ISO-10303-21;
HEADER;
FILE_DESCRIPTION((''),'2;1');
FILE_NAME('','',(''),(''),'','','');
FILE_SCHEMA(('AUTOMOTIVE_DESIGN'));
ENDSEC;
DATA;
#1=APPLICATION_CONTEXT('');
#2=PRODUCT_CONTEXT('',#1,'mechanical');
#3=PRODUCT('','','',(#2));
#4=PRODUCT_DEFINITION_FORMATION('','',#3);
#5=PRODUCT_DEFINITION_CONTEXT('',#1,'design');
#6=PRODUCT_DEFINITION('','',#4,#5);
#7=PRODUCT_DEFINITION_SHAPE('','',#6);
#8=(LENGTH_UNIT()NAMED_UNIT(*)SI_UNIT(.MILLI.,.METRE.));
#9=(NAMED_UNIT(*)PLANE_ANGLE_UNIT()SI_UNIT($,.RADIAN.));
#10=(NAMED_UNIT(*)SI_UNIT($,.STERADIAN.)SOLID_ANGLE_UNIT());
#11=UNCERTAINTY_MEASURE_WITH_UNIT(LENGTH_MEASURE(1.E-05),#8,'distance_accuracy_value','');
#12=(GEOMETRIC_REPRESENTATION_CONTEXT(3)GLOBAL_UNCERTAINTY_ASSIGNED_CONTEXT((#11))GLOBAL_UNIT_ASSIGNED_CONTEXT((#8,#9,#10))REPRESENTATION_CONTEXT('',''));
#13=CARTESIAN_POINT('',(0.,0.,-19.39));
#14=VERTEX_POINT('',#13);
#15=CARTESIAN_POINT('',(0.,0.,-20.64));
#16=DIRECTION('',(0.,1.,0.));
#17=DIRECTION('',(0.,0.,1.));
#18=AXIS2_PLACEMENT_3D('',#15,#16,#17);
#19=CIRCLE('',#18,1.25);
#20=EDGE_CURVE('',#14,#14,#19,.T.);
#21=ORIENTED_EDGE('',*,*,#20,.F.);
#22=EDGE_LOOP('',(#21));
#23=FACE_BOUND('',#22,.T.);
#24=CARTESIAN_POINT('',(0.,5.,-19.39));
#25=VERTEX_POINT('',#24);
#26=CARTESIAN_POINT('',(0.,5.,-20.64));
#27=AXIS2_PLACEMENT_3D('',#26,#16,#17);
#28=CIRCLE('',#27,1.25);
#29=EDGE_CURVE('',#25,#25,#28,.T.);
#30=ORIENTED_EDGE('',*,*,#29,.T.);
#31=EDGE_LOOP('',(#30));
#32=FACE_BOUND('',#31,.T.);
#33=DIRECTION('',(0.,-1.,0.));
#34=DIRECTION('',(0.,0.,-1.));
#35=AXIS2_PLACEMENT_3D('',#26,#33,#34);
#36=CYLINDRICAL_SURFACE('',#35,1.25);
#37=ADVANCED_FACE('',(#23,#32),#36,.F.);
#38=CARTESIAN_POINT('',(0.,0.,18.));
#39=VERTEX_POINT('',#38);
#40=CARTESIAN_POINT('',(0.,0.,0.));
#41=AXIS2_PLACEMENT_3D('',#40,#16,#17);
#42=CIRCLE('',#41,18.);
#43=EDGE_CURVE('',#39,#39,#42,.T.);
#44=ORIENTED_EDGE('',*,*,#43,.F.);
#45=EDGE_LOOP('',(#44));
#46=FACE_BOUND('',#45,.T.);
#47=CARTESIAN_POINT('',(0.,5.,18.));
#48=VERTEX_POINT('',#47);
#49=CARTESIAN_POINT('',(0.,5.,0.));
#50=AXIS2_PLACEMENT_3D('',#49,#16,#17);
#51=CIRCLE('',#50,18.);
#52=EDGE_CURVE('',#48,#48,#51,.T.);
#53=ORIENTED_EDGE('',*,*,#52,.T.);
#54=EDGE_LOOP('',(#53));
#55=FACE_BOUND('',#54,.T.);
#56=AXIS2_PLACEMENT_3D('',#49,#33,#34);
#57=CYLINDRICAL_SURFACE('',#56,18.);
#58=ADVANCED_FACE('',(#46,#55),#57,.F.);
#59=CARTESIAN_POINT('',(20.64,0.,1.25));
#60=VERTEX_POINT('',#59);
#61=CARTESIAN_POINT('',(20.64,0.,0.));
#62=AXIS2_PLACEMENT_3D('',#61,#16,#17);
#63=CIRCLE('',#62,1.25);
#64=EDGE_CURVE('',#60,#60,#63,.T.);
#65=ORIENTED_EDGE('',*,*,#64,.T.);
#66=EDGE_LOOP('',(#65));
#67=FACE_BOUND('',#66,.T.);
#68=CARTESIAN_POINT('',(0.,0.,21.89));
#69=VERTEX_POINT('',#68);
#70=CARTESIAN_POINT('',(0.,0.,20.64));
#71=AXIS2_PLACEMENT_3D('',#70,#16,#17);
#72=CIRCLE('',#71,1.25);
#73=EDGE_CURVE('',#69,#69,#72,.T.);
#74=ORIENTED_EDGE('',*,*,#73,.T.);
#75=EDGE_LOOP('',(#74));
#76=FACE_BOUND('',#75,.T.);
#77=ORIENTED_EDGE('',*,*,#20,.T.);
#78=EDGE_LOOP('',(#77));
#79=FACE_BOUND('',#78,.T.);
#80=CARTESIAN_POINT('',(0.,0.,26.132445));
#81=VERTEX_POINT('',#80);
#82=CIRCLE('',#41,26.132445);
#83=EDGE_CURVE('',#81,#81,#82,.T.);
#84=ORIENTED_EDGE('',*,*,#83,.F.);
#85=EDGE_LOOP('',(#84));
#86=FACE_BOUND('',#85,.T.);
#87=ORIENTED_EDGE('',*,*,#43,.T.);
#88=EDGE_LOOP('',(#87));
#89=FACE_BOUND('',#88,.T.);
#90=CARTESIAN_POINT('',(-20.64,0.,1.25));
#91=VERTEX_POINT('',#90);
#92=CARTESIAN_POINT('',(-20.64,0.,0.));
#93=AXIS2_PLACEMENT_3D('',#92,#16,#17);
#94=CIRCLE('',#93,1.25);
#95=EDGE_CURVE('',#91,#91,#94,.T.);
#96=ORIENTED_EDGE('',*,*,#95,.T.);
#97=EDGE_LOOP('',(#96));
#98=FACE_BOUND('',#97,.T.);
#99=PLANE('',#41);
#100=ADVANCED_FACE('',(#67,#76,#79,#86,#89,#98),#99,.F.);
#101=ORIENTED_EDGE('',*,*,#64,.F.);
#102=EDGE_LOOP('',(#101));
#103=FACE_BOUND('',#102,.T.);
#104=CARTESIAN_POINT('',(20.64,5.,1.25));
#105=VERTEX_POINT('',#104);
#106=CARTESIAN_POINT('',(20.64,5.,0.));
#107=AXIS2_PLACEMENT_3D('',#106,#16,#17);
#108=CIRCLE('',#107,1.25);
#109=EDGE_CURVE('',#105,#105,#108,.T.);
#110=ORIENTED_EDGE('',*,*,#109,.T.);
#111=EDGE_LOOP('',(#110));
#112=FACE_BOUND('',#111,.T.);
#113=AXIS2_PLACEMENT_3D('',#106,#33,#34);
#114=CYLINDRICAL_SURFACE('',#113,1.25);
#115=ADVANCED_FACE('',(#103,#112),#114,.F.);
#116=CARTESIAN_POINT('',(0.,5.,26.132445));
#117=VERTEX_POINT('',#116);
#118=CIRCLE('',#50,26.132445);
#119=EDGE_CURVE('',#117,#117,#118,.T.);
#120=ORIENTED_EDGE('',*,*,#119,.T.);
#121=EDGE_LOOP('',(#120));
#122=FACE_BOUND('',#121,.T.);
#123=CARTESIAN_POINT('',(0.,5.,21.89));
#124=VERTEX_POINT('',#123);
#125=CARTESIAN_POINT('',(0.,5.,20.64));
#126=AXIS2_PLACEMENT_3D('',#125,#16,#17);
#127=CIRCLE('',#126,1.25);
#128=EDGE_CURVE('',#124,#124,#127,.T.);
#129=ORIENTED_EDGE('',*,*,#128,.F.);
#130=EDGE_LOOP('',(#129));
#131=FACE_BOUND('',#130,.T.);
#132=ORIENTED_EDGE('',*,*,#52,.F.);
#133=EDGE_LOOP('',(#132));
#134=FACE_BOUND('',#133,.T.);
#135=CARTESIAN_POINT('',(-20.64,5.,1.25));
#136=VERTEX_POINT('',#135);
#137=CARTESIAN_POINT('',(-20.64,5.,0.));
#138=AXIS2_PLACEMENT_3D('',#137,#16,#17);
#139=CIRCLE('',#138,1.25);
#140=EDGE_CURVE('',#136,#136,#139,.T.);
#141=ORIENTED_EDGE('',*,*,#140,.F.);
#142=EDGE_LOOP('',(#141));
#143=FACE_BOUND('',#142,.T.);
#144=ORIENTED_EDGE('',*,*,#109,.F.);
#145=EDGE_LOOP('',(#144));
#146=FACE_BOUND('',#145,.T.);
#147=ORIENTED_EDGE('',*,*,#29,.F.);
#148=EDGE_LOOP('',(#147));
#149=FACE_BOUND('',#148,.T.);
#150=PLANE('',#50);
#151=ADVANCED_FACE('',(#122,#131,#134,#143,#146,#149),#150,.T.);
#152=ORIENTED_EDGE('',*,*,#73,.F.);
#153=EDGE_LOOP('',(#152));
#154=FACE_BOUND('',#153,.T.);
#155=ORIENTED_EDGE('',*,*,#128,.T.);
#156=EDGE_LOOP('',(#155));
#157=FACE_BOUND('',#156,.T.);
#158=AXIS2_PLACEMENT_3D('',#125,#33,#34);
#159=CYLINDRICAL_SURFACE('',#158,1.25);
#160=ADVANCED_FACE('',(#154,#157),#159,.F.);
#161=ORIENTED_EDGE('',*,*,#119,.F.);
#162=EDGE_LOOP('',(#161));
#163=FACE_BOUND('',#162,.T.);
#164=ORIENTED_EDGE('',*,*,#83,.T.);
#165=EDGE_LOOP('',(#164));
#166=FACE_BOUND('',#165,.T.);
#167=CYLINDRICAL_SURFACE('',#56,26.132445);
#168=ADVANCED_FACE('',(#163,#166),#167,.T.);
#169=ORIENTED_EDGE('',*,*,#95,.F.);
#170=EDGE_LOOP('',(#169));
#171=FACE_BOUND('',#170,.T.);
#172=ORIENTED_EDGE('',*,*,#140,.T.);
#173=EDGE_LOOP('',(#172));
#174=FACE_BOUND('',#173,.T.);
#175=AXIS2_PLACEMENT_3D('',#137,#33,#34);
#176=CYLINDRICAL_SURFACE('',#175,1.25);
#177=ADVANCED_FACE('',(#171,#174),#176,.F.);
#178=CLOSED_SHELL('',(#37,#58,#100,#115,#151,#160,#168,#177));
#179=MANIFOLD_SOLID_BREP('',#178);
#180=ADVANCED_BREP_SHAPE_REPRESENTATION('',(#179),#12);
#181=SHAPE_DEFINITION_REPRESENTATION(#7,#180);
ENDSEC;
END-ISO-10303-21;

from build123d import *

# Parameters (mm, degrees)
SKETCH1_R           = 26.132445267
SKETCH1_R_2         = 1.25
SKETCH1_R_3         = 18
BOSS_EXTRUDE1_DEPTH = 5


with BuildPart() as part:
    # Sketch1 → Boss-Extrude1 (new body)
    with BuildSketch(Plane(origin=(0, 0, 0), x_dir=(1, 0, 0), z_dir=(0, 1, 0))):
        with Locations(Location((0, 0, 0), (0, 0, 270))):
            Circle(SKETCH1_R)
        with Locations(Location((0, 20.64, 0), (0, 0, 270))):
            Circle(SKETCH1_R_2, mode=Mode.SUBTRACT)
        with Locations(Location((-20.64, 0, 0), (0, 0, 270))):
            Circle(SKETCH1_R_2, mode=Mode.SUBTRACT)
        with Locations(Location((0, -20.64, 0), (0, 0, 270))):
            Circle(SKETCH1_R_2, mode=Mode.SUBTRACT)
        with Locations(Location((20.64, 0, 0), (0, 0, 270))):
            Circle(SKETCH1_R_2, mode=Mode.SUBTRACT)
        with Locations(Location((0, 0, 0), (0, 0, 270))):
            Circle(SKETCH1_R_3, mode=Mode.SUBTRACT)
    extrude(amount=BOSS_EXTRUDE1_DEPTH)


solid = part.part
